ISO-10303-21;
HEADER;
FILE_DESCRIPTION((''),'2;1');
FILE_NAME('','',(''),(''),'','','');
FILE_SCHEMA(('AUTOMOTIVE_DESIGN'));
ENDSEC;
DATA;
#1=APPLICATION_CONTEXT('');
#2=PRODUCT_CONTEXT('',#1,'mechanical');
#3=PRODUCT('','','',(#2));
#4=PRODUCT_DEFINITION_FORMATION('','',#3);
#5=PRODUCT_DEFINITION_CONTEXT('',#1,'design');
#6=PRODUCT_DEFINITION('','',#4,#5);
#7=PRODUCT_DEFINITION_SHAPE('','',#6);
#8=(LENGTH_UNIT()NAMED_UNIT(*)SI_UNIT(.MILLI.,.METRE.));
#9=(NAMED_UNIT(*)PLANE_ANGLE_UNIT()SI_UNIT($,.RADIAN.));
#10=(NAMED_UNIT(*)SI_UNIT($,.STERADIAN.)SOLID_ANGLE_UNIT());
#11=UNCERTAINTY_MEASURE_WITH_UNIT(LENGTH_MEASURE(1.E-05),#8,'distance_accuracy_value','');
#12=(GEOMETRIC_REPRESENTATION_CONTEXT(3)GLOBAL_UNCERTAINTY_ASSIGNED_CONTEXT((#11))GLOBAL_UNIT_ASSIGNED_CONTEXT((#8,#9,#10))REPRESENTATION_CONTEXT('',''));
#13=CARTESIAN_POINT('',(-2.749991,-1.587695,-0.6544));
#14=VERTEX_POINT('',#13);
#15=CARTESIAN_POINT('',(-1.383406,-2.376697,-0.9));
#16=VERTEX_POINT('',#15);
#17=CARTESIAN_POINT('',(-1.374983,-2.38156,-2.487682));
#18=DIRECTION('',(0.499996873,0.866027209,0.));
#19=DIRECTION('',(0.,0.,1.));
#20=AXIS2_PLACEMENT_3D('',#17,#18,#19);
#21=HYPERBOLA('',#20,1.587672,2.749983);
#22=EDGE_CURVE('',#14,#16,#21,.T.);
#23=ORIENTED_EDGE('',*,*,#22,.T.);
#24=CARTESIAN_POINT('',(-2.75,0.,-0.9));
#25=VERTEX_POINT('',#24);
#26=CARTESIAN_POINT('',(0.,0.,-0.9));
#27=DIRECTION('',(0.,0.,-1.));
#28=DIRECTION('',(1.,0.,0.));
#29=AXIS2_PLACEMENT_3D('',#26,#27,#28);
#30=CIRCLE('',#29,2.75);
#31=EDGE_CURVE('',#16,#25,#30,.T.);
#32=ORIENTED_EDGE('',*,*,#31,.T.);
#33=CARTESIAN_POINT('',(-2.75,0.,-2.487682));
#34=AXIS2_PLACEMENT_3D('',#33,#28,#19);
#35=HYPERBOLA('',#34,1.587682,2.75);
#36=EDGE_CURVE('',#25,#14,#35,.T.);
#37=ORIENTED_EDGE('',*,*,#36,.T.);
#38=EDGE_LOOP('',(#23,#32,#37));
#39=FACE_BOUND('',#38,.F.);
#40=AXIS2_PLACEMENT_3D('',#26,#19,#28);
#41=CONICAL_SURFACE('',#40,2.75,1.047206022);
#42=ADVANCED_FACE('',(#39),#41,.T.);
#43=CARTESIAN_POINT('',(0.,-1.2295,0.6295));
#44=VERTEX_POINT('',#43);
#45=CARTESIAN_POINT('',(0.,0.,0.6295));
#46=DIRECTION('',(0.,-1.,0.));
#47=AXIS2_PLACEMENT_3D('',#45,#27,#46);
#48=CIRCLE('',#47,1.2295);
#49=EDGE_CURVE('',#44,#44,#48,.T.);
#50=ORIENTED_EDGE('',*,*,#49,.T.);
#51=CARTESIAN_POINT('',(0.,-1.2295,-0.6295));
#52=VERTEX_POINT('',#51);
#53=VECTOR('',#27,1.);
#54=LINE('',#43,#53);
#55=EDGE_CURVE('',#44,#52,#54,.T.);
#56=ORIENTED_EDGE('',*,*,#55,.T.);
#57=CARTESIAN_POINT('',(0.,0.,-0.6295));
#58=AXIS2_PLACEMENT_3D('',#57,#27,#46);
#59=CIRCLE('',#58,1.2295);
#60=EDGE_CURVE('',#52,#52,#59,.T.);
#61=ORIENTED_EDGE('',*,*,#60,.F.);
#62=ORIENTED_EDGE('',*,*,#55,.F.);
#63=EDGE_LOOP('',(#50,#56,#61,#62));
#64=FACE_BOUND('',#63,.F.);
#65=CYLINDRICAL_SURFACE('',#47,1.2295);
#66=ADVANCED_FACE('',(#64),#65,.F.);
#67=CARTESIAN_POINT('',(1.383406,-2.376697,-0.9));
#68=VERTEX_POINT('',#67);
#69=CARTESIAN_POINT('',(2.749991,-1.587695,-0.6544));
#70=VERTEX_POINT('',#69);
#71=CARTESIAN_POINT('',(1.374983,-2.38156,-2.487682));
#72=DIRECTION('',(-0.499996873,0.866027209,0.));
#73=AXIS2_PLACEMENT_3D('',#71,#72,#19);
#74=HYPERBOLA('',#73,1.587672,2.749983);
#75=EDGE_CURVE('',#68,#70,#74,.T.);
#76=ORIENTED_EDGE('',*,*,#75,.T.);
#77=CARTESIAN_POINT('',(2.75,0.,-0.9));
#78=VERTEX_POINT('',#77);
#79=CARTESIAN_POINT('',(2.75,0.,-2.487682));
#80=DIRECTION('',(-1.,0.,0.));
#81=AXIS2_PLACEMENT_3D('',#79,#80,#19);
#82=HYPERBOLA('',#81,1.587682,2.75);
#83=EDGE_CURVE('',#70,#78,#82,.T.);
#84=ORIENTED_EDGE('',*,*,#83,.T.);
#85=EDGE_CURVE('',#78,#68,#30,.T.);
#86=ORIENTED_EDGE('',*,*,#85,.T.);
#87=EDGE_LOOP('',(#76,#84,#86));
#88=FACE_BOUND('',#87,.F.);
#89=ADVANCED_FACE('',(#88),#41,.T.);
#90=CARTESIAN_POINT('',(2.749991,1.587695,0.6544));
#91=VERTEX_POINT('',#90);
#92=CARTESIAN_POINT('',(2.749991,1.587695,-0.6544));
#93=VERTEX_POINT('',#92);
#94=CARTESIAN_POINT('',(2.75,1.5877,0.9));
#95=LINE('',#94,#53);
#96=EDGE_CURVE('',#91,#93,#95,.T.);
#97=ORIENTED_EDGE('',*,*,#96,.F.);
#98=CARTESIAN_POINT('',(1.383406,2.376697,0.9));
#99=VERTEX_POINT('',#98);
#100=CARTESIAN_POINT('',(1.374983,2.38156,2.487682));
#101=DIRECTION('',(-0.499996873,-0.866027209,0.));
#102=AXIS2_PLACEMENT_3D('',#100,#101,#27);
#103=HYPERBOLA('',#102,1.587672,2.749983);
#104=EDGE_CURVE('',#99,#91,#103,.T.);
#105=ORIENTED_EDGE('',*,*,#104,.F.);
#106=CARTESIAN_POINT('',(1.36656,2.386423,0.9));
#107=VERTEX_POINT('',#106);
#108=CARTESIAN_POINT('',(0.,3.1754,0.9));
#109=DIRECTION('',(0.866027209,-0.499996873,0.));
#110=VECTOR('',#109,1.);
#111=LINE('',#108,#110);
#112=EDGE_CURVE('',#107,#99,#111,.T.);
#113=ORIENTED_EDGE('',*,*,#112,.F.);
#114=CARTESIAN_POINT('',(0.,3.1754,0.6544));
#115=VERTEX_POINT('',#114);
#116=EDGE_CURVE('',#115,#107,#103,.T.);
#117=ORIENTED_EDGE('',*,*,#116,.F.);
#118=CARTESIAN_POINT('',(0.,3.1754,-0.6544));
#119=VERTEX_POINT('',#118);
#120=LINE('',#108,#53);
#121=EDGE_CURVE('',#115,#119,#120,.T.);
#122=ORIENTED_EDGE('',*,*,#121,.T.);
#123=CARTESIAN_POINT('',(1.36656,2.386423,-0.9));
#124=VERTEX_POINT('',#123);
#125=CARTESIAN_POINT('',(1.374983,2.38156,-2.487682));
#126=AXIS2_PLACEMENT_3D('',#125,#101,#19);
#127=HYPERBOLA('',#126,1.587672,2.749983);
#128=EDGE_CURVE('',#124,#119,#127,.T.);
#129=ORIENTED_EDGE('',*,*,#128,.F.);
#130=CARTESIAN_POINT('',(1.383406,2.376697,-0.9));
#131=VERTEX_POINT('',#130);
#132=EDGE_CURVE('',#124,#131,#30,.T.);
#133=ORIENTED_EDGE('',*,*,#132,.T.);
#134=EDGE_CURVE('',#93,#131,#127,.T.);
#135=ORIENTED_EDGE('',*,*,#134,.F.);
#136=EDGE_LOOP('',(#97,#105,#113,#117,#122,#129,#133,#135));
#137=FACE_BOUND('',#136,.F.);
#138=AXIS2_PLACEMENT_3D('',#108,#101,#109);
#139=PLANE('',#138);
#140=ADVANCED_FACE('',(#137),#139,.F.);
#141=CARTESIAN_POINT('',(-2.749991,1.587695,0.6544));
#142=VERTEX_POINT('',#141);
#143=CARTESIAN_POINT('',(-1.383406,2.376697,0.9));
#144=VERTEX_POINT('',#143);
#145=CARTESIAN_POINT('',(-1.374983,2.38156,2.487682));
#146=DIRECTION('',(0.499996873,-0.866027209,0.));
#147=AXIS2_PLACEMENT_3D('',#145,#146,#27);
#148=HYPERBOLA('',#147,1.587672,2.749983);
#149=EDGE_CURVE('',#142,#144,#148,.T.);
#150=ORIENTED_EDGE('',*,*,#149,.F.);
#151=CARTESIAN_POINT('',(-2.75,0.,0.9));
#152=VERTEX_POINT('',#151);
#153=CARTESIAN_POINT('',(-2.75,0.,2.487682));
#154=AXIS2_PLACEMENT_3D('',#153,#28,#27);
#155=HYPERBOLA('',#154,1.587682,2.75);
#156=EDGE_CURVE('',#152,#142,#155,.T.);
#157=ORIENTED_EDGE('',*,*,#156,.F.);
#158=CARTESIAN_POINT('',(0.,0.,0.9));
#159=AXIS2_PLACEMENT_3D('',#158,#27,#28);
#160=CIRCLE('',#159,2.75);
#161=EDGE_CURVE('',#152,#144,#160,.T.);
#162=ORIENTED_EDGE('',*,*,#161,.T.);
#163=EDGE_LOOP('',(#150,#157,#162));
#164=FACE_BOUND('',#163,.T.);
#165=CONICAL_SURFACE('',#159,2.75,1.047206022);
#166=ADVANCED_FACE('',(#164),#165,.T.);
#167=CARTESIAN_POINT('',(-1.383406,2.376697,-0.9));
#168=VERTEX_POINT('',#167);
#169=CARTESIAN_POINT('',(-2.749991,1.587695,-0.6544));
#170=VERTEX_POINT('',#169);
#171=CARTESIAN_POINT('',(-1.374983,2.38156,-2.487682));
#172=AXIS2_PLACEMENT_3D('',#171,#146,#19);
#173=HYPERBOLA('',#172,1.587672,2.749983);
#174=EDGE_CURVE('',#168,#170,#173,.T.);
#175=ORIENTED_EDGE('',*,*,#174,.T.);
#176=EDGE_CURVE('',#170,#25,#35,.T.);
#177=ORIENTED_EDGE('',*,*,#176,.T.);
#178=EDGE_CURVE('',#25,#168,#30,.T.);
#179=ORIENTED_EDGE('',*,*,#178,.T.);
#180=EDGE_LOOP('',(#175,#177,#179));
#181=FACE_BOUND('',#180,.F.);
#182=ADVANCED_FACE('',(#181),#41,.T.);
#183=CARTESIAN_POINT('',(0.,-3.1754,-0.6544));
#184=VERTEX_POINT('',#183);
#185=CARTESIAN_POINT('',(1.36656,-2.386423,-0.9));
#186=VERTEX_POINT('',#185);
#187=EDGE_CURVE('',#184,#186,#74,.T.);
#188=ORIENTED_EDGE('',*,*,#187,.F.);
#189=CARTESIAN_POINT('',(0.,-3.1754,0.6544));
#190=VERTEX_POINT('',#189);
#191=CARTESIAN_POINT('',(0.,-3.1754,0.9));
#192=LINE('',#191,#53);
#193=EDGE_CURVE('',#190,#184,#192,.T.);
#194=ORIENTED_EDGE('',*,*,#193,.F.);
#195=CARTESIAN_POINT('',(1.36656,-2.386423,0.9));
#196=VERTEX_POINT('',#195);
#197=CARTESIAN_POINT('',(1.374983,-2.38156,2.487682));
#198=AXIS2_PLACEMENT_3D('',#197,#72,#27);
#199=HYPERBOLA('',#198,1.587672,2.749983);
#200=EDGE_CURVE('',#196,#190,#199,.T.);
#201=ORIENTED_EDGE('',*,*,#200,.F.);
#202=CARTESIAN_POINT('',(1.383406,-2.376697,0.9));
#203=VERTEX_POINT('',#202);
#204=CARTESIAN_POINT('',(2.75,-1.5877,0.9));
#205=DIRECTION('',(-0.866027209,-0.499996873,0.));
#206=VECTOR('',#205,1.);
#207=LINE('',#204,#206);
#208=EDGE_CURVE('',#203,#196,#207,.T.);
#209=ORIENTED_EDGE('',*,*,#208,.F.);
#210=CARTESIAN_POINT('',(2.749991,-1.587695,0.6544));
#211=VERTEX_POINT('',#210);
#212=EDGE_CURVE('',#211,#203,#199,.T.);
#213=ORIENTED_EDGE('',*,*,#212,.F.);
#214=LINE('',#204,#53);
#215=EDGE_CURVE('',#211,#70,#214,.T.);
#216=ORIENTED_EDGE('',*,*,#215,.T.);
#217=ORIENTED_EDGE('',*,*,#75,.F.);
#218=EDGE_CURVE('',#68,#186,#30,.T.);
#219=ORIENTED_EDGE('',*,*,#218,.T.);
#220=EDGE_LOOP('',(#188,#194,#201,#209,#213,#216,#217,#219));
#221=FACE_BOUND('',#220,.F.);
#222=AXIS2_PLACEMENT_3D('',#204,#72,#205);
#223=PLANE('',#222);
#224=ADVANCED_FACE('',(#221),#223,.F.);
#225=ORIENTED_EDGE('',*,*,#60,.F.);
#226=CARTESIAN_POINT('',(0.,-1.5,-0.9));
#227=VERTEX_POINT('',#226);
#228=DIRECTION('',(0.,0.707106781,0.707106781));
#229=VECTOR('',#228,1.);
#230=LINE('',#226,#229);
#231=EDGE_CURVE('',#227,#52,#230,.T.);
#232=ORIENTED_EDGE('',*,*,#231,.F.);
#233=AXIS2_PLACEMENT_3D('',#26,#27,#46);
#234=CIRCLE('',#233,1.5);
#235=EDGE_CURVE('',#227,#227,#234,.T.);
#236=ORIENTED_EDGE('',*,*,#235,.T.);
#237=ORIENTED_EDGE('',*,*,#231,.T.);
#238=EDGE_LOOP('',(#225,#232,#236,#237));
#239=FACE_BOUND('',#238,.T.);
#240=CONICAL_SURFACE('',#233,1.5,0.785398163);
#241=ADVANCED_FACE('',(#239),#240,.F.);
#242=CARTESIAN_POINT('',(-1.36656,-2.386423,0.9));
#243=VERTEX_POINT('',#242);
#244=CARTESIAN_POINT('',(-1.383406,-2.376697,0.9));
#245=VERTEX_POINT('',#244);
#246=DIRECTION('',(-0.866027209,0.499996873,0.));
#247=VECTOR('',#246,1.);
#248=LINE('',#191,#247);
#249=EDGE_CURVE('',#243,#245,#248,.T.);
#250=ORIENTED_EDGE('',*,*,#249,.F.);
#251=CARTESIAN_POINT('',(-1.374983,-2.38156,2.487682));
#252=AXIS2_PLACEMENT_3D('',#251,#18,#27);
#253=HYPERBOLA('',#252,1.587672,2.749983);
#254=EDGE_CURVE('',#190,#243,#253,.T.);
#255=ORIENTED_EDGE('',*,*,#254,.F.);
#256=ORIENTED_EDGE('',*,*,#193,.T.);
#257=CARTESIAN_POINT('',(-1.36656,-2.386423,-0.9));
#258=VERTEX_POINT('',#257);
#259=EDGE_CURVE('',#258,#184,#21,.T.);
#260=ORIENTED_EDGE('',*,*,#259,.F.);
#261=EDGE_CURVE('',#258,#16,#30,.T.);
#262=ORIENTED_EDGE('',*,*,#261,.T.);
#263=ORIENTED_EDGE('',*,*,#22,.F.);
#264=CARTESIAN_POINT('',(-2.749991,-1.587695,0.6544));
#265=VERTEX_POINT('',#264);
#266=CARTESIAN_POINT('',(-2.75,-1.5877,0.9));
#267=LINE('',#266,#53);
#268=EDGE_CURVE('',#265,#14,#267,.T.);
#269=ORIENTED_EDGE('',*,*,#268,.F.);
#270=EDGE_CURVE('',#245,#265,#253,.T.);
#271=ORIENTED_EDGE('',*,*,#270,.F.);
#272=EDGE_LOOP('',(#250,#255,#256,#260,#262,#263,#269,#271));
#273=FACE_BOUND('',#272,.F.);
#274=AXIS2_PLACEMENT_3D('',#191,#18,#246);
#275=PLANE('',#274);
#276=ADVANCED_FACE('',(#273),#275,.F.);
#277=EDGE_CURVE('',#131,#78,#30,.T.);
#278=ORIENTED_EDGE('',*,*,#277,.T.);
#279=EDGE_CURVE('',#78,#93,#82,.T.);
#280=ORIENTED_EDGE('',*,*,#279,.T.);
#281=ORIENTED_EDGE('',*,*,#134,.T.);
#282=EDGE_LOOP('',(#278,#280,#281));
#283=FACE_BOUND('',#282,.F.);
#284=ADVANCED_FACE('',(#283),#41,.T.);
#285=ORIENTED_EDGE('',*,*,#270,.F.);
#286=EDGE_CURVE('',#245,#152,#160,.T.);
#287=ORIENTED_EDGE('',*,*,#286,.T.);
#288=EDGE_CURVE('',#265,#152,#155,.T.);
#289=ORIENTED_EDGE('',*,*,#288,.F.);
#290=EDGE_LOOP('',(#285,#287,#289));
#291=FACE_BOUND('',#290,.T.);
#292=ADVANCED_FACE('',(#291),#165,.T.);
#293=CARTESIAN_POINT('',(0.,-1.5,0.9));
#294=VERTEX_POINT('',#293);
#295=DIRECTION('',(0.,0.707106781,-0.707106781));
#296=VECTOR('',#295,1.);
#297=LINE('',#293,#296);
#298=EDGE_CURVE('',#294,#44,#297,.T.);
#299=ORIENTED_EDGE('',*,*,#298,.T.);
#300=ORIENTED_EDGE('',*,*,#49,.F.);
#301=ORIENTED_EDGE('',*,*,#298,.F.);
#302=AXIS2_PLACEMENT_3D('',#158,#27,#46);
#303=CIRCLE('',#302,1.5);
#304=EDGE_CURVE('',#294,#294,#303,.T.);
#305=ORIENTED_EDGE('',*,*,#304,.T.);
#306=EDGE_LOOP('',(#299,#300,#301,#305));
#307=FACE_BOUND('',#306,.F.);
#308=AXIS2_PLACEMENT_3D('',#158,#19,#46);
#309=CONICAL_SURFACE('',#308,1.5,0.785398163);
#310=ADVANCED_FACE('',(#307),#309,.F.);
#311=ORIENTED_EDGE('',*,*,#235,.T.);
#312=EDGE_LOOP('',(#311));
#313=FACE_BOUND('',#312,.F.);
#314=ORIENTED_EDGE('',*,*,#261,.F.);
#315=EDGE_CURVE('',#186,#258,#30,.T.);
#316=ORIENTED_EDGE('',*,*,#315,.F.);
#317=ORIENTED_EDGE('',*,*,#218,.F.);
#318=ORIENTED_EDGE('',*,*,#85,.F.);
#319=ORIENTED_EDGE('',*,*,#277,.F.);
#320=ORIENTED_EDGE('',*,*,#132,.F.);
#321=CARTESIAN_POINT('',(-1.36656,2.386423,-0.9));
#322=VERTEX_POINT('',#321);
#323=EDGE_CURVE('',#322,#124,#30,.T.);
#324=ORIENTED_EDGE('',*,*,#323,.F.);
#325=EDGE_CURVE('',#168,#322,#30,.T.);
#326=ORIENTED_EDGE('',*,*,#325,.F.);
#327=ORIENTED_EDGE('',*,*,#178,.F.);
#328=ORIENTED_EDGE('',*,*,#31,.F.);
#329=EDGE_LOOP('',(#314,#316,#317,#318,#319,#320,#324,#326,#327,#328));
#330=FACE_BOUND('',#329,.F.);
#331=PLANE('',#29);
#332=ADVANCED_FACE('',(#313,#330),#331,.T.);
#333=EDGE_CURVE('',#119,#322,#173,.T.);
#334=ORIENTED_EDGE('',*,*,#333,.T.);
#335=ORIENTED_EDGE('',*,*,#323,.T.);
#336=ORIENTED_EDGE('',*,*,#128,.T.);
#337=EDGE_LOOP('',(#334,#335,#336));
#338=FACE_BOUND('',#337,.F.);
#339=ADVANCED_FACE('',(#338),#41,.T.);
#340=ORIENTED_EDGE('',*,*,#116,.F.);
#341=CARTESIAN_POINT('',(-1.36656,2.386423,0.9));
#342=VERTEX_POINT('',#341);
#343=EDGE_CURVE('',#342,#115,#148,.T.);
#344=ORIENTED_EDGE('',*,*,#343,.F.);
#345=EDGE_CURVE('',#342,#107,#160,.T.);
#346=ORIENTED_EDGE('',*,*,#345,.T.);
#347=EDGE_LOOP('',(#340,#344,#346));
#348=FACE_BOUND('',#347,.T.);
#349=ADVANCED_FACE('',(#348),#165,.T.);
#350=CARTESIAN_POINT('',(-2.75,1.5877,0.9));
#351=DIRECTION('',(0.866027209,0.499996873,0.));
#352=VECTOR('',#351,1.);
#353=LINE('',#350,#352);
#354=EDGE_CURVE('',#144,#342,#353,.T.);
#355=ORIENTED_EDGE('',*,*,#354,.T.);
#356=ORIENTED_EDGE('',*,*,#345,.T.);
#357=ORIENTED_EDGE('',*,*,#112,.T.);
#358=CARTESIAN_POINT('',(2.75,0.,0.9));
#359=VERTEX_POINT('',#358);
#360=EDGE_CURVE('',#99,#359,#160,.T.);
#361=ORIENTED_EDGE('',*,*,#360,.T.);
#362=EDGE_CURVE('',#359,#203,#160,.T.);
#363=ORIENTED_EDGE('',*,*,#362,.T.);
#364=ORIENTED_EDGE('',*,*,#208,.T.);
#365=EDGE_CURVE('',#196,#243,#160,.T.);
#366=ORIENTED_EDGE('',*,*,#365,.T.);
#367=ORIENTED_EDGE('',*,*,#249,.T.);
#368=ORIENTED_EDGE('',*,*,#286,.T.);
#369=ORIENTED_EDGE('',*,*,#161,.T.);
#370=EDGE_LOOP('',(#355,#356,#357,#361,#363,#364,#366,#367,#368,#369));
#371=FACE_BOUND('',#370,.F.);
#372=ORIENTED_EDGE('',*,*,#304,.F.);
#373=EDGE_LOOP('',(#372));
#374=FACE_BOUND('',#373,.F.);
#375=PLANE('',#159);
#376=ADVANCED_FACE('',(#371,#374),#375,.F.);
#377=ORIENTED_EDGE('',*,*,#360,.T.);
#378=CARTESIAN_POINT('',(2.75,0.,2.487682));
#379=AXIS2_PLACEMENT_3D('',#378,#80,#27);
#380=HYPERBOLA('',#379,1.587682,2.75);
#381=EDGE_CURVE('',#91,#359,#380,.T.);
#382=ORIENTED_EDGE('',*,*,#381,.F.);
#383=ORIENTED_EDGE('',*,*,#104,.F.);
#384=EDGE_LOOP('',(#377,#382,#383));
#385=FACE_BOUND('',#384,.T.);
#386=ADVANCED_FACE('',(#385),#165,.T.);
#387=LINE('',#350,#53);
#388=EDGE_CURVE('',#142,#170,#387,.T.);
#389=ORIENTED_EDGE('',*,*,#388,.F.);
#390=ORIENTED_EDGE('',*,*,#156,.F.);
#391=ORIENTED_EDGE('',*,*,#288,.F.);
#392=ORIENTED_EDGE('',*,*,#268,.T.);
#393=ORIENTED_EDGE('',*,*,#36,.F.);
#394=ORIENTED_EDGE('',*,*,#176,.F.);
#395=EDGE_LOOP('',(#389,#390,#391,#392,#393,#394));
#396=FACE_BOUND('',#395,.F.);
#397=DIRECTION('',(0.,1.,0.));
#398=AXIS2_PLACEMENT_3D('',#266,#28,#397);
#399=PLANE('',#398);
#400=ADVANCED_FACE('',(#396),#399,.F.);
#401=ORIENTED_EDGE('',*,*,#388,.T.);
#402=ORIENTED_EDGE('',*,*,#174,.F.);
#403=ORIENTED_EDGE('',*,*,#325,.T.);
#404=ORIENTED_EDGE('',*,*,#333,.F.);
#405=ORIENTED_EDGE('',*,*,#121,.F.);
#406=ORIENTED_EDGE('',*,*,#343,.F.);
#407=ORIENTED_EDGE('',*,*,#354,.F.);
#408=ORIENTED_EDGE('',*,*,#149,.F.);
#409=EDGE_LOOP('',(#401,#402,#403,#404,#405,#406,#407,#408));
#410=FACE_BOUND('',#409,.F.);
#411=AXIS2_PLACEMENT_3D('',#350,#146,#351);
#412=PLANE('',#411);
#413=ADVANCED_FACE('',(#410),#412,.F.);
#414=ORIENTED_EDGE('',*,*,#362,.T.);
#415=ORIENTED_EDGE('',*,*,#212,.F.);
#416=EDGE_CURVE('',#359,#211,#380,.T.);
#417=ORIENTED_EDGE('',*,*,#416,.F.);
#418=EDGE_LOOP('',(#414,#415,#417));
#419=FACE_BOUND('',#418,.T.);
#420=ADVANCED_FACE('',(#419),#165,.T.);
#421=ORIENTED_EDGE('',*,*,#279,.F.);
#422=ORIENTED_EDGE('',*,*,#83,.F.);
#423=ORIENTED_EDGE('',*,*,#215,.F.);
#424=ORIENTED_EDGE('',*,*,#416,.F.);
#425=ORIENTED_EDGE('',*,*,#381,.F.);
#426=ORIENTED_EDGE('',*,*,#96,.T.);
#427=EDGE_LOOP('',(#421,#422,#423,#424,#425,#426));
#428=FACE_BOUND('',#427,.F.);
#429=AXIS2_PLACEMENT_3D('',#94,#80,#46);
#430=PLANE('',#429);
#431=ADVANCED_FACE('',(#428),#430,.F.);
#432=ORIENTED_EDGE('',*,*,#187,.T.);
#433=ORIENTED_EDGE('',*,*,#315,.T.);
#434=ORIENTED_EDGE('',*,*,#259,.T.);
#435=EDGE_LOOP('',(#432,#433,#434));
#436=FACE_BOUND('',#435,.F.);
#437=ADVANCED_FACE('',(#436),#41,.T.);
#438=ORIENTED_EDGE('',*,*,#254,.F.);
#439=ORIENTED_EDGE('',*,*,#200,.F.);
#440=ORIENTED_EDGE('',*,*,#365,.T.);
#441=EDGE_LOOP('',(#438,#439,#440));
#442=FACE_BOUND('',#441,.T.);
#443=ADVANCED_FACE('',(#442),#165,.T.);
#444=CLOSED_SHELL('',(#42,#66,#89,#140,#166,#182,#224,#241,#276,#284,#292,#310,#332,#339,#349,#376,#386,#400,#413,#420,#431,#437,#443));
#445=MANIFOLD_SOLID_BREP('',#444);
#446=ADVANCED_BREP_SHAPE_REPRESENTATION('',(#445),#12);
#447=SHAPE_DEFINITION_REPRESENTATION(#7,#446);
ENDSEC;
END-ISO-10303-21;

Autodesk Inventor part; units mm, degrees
ref_plane "YZ Plane" through (0, 0, 0) normal (1, 0, 0) x (0, 1, 0)
ref_plane "XZ Plane" through (0, 0, 0) normal (0, 1, 0) x (-1, 0, 0)
ref_plane "XY Plane" through (0, 0, 0) normal (0, 0, 1) x (1, 0, 0)
sketch "Sketch1" plane through (0, 0, 0) normal (0, 1, 0) x (-1, 0, 0)
  line L0 (0, 0.9) -> (0, -0.9)
  line L1 (0, -0.9) -> (-2.75, -0.9)
  line L2 (-3.1754, -0.6544) -> (-3.1754, 0.6544)
  line L3 (-2.75, 0.9) -> (0, 0.9)
  line L4 (-2.75, 0.9) -> (-3.1754, 0.6544)
  line L5 (-2.75, -0.9) -> (-3.1754, -0.6544)
  line L6 (0, 0) -> (-3.1754, 0) construction
  dimension "d0" = 1.8
  dimension "d1" = 5.5
  dimension "d2" = 6.3509
  dimension "d3" = 30
revolve "Revolution1" add sketch "Sketch1" angle 360 about axis through (0, 0, 0.9) along (0, 0, -1)
sketch "Sketch2" plane through (0, 0, 0.9) normal (0, 0, 1) x (1, 0, 0)
  circle A0 centre (0, 0) radius 3.1754 projected
  line L0 (0, 3.1754) -> (2.75, 1.5877)
  line L1 (2.75, 1.5877) -> (2.75, -1.5877)
  line L2 (2.75, -1.5877) -> (0, -3.1754)
  line L3 (0, -3.1754) -> (-2.75, -1.5877)
  line L4 (-2.75, -1.5877) -> (-2.75, 1.5877)
  line L5 (-2.75, 1.5877) -> (0, 3.1754)
  point P0 (0, 0)
  point P1 (0, 0)
  point P2 (0, 0)
  point P3 (-2.75, -1.5877)
  point P4 (-2.75, -1.5877)
  point P5 (0, -3.1754)
  point P6 (0, -3.1754)
extrude "Extrusion1" cut sketch "Sketch2" against normal through all contours A0 L1 | L0 A0 | A0 L2 | L5 A0 | A0 L3 | L4 A0
hole "Hole1" at (0, 0, 0.9) direction (0, 0, -1) diameter 2.459 depth 6 countersink diameter 3 countersink angle 90 thread size "M3x0.5" class "6H" standard "ANSI Metric M Profile"
mirror "Mirror1" about plane through (0, 0, 0) normal (0, 0, 1) of "Hole1"
equation "\"d2\" = 1.1547 * d1"
properties part number "UNT-03-3" material "Stainless Steel AISI 304"
